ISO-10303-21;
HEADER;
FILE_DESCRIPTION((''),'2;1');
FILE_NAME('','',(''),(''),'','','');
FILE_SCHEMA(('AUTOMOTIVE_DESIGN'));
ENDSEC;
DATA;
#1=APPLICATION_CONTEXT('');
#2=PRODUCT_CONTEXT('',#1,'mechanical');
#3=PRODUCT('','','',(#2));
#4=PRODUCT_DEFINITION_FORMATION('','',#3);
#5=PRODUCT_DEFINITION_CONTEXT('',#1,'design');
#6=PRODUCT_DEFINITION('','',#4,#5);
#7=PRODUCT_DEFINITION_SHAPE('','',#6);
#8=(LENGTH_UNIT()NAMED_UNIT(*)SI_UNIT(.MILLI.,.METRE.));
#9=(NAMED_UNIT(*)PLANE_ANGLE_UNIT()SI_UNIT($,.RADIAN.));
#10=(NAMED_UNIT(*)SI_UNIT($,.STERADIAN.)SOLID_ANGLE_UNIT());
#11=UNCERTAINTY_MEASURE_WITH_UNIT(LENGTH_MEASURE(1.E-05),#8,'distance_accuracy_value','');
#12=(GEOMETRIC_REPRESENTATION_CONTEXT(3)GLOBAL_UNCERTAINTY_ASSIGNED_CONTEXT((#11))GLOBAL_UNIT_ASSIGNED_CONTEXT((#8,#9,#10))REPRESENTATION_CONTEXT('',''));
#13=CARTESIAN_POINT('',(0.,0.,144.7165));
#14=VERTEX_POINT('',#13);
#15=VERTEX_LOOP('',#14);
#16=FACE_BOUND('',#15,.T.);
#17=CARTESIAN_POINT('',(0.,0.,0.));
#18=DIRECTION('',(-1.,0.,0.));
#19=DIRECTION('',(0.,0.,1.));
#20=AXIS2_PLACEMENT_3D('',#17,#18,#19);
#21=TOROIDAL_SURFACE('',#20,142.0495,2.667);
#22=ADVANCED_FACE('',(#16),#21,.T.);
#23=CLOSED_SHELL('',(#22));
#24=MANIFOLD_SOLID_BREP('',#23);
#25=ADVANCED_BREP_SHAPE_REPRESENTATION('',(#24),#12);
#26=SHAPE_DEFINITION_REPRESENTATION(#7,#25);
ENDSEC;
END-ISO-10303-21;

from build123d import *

# Parameters (mm, degrees)
SKETCH3_R = 2.667


with BuildPart() as part:
    # Sweep1: sweep along a path in Sketch1
    with BuildLine(Plane(origin=(0, 0, 0), x_dir=(0, 0, -1), z_dir=(1, 0, 0))) as sweep1_path:
        CenterArc((0, 0), 139.3825, 0, 360)
    # Sketch3 → Sweep1 (sweep)
    with BuildSketch(Plane.XY):
        with Locations((0, 142.0495)):
            Circle(SKETCH3_R)
    sweep(path=sweep1_path.line)


solid = part.part
